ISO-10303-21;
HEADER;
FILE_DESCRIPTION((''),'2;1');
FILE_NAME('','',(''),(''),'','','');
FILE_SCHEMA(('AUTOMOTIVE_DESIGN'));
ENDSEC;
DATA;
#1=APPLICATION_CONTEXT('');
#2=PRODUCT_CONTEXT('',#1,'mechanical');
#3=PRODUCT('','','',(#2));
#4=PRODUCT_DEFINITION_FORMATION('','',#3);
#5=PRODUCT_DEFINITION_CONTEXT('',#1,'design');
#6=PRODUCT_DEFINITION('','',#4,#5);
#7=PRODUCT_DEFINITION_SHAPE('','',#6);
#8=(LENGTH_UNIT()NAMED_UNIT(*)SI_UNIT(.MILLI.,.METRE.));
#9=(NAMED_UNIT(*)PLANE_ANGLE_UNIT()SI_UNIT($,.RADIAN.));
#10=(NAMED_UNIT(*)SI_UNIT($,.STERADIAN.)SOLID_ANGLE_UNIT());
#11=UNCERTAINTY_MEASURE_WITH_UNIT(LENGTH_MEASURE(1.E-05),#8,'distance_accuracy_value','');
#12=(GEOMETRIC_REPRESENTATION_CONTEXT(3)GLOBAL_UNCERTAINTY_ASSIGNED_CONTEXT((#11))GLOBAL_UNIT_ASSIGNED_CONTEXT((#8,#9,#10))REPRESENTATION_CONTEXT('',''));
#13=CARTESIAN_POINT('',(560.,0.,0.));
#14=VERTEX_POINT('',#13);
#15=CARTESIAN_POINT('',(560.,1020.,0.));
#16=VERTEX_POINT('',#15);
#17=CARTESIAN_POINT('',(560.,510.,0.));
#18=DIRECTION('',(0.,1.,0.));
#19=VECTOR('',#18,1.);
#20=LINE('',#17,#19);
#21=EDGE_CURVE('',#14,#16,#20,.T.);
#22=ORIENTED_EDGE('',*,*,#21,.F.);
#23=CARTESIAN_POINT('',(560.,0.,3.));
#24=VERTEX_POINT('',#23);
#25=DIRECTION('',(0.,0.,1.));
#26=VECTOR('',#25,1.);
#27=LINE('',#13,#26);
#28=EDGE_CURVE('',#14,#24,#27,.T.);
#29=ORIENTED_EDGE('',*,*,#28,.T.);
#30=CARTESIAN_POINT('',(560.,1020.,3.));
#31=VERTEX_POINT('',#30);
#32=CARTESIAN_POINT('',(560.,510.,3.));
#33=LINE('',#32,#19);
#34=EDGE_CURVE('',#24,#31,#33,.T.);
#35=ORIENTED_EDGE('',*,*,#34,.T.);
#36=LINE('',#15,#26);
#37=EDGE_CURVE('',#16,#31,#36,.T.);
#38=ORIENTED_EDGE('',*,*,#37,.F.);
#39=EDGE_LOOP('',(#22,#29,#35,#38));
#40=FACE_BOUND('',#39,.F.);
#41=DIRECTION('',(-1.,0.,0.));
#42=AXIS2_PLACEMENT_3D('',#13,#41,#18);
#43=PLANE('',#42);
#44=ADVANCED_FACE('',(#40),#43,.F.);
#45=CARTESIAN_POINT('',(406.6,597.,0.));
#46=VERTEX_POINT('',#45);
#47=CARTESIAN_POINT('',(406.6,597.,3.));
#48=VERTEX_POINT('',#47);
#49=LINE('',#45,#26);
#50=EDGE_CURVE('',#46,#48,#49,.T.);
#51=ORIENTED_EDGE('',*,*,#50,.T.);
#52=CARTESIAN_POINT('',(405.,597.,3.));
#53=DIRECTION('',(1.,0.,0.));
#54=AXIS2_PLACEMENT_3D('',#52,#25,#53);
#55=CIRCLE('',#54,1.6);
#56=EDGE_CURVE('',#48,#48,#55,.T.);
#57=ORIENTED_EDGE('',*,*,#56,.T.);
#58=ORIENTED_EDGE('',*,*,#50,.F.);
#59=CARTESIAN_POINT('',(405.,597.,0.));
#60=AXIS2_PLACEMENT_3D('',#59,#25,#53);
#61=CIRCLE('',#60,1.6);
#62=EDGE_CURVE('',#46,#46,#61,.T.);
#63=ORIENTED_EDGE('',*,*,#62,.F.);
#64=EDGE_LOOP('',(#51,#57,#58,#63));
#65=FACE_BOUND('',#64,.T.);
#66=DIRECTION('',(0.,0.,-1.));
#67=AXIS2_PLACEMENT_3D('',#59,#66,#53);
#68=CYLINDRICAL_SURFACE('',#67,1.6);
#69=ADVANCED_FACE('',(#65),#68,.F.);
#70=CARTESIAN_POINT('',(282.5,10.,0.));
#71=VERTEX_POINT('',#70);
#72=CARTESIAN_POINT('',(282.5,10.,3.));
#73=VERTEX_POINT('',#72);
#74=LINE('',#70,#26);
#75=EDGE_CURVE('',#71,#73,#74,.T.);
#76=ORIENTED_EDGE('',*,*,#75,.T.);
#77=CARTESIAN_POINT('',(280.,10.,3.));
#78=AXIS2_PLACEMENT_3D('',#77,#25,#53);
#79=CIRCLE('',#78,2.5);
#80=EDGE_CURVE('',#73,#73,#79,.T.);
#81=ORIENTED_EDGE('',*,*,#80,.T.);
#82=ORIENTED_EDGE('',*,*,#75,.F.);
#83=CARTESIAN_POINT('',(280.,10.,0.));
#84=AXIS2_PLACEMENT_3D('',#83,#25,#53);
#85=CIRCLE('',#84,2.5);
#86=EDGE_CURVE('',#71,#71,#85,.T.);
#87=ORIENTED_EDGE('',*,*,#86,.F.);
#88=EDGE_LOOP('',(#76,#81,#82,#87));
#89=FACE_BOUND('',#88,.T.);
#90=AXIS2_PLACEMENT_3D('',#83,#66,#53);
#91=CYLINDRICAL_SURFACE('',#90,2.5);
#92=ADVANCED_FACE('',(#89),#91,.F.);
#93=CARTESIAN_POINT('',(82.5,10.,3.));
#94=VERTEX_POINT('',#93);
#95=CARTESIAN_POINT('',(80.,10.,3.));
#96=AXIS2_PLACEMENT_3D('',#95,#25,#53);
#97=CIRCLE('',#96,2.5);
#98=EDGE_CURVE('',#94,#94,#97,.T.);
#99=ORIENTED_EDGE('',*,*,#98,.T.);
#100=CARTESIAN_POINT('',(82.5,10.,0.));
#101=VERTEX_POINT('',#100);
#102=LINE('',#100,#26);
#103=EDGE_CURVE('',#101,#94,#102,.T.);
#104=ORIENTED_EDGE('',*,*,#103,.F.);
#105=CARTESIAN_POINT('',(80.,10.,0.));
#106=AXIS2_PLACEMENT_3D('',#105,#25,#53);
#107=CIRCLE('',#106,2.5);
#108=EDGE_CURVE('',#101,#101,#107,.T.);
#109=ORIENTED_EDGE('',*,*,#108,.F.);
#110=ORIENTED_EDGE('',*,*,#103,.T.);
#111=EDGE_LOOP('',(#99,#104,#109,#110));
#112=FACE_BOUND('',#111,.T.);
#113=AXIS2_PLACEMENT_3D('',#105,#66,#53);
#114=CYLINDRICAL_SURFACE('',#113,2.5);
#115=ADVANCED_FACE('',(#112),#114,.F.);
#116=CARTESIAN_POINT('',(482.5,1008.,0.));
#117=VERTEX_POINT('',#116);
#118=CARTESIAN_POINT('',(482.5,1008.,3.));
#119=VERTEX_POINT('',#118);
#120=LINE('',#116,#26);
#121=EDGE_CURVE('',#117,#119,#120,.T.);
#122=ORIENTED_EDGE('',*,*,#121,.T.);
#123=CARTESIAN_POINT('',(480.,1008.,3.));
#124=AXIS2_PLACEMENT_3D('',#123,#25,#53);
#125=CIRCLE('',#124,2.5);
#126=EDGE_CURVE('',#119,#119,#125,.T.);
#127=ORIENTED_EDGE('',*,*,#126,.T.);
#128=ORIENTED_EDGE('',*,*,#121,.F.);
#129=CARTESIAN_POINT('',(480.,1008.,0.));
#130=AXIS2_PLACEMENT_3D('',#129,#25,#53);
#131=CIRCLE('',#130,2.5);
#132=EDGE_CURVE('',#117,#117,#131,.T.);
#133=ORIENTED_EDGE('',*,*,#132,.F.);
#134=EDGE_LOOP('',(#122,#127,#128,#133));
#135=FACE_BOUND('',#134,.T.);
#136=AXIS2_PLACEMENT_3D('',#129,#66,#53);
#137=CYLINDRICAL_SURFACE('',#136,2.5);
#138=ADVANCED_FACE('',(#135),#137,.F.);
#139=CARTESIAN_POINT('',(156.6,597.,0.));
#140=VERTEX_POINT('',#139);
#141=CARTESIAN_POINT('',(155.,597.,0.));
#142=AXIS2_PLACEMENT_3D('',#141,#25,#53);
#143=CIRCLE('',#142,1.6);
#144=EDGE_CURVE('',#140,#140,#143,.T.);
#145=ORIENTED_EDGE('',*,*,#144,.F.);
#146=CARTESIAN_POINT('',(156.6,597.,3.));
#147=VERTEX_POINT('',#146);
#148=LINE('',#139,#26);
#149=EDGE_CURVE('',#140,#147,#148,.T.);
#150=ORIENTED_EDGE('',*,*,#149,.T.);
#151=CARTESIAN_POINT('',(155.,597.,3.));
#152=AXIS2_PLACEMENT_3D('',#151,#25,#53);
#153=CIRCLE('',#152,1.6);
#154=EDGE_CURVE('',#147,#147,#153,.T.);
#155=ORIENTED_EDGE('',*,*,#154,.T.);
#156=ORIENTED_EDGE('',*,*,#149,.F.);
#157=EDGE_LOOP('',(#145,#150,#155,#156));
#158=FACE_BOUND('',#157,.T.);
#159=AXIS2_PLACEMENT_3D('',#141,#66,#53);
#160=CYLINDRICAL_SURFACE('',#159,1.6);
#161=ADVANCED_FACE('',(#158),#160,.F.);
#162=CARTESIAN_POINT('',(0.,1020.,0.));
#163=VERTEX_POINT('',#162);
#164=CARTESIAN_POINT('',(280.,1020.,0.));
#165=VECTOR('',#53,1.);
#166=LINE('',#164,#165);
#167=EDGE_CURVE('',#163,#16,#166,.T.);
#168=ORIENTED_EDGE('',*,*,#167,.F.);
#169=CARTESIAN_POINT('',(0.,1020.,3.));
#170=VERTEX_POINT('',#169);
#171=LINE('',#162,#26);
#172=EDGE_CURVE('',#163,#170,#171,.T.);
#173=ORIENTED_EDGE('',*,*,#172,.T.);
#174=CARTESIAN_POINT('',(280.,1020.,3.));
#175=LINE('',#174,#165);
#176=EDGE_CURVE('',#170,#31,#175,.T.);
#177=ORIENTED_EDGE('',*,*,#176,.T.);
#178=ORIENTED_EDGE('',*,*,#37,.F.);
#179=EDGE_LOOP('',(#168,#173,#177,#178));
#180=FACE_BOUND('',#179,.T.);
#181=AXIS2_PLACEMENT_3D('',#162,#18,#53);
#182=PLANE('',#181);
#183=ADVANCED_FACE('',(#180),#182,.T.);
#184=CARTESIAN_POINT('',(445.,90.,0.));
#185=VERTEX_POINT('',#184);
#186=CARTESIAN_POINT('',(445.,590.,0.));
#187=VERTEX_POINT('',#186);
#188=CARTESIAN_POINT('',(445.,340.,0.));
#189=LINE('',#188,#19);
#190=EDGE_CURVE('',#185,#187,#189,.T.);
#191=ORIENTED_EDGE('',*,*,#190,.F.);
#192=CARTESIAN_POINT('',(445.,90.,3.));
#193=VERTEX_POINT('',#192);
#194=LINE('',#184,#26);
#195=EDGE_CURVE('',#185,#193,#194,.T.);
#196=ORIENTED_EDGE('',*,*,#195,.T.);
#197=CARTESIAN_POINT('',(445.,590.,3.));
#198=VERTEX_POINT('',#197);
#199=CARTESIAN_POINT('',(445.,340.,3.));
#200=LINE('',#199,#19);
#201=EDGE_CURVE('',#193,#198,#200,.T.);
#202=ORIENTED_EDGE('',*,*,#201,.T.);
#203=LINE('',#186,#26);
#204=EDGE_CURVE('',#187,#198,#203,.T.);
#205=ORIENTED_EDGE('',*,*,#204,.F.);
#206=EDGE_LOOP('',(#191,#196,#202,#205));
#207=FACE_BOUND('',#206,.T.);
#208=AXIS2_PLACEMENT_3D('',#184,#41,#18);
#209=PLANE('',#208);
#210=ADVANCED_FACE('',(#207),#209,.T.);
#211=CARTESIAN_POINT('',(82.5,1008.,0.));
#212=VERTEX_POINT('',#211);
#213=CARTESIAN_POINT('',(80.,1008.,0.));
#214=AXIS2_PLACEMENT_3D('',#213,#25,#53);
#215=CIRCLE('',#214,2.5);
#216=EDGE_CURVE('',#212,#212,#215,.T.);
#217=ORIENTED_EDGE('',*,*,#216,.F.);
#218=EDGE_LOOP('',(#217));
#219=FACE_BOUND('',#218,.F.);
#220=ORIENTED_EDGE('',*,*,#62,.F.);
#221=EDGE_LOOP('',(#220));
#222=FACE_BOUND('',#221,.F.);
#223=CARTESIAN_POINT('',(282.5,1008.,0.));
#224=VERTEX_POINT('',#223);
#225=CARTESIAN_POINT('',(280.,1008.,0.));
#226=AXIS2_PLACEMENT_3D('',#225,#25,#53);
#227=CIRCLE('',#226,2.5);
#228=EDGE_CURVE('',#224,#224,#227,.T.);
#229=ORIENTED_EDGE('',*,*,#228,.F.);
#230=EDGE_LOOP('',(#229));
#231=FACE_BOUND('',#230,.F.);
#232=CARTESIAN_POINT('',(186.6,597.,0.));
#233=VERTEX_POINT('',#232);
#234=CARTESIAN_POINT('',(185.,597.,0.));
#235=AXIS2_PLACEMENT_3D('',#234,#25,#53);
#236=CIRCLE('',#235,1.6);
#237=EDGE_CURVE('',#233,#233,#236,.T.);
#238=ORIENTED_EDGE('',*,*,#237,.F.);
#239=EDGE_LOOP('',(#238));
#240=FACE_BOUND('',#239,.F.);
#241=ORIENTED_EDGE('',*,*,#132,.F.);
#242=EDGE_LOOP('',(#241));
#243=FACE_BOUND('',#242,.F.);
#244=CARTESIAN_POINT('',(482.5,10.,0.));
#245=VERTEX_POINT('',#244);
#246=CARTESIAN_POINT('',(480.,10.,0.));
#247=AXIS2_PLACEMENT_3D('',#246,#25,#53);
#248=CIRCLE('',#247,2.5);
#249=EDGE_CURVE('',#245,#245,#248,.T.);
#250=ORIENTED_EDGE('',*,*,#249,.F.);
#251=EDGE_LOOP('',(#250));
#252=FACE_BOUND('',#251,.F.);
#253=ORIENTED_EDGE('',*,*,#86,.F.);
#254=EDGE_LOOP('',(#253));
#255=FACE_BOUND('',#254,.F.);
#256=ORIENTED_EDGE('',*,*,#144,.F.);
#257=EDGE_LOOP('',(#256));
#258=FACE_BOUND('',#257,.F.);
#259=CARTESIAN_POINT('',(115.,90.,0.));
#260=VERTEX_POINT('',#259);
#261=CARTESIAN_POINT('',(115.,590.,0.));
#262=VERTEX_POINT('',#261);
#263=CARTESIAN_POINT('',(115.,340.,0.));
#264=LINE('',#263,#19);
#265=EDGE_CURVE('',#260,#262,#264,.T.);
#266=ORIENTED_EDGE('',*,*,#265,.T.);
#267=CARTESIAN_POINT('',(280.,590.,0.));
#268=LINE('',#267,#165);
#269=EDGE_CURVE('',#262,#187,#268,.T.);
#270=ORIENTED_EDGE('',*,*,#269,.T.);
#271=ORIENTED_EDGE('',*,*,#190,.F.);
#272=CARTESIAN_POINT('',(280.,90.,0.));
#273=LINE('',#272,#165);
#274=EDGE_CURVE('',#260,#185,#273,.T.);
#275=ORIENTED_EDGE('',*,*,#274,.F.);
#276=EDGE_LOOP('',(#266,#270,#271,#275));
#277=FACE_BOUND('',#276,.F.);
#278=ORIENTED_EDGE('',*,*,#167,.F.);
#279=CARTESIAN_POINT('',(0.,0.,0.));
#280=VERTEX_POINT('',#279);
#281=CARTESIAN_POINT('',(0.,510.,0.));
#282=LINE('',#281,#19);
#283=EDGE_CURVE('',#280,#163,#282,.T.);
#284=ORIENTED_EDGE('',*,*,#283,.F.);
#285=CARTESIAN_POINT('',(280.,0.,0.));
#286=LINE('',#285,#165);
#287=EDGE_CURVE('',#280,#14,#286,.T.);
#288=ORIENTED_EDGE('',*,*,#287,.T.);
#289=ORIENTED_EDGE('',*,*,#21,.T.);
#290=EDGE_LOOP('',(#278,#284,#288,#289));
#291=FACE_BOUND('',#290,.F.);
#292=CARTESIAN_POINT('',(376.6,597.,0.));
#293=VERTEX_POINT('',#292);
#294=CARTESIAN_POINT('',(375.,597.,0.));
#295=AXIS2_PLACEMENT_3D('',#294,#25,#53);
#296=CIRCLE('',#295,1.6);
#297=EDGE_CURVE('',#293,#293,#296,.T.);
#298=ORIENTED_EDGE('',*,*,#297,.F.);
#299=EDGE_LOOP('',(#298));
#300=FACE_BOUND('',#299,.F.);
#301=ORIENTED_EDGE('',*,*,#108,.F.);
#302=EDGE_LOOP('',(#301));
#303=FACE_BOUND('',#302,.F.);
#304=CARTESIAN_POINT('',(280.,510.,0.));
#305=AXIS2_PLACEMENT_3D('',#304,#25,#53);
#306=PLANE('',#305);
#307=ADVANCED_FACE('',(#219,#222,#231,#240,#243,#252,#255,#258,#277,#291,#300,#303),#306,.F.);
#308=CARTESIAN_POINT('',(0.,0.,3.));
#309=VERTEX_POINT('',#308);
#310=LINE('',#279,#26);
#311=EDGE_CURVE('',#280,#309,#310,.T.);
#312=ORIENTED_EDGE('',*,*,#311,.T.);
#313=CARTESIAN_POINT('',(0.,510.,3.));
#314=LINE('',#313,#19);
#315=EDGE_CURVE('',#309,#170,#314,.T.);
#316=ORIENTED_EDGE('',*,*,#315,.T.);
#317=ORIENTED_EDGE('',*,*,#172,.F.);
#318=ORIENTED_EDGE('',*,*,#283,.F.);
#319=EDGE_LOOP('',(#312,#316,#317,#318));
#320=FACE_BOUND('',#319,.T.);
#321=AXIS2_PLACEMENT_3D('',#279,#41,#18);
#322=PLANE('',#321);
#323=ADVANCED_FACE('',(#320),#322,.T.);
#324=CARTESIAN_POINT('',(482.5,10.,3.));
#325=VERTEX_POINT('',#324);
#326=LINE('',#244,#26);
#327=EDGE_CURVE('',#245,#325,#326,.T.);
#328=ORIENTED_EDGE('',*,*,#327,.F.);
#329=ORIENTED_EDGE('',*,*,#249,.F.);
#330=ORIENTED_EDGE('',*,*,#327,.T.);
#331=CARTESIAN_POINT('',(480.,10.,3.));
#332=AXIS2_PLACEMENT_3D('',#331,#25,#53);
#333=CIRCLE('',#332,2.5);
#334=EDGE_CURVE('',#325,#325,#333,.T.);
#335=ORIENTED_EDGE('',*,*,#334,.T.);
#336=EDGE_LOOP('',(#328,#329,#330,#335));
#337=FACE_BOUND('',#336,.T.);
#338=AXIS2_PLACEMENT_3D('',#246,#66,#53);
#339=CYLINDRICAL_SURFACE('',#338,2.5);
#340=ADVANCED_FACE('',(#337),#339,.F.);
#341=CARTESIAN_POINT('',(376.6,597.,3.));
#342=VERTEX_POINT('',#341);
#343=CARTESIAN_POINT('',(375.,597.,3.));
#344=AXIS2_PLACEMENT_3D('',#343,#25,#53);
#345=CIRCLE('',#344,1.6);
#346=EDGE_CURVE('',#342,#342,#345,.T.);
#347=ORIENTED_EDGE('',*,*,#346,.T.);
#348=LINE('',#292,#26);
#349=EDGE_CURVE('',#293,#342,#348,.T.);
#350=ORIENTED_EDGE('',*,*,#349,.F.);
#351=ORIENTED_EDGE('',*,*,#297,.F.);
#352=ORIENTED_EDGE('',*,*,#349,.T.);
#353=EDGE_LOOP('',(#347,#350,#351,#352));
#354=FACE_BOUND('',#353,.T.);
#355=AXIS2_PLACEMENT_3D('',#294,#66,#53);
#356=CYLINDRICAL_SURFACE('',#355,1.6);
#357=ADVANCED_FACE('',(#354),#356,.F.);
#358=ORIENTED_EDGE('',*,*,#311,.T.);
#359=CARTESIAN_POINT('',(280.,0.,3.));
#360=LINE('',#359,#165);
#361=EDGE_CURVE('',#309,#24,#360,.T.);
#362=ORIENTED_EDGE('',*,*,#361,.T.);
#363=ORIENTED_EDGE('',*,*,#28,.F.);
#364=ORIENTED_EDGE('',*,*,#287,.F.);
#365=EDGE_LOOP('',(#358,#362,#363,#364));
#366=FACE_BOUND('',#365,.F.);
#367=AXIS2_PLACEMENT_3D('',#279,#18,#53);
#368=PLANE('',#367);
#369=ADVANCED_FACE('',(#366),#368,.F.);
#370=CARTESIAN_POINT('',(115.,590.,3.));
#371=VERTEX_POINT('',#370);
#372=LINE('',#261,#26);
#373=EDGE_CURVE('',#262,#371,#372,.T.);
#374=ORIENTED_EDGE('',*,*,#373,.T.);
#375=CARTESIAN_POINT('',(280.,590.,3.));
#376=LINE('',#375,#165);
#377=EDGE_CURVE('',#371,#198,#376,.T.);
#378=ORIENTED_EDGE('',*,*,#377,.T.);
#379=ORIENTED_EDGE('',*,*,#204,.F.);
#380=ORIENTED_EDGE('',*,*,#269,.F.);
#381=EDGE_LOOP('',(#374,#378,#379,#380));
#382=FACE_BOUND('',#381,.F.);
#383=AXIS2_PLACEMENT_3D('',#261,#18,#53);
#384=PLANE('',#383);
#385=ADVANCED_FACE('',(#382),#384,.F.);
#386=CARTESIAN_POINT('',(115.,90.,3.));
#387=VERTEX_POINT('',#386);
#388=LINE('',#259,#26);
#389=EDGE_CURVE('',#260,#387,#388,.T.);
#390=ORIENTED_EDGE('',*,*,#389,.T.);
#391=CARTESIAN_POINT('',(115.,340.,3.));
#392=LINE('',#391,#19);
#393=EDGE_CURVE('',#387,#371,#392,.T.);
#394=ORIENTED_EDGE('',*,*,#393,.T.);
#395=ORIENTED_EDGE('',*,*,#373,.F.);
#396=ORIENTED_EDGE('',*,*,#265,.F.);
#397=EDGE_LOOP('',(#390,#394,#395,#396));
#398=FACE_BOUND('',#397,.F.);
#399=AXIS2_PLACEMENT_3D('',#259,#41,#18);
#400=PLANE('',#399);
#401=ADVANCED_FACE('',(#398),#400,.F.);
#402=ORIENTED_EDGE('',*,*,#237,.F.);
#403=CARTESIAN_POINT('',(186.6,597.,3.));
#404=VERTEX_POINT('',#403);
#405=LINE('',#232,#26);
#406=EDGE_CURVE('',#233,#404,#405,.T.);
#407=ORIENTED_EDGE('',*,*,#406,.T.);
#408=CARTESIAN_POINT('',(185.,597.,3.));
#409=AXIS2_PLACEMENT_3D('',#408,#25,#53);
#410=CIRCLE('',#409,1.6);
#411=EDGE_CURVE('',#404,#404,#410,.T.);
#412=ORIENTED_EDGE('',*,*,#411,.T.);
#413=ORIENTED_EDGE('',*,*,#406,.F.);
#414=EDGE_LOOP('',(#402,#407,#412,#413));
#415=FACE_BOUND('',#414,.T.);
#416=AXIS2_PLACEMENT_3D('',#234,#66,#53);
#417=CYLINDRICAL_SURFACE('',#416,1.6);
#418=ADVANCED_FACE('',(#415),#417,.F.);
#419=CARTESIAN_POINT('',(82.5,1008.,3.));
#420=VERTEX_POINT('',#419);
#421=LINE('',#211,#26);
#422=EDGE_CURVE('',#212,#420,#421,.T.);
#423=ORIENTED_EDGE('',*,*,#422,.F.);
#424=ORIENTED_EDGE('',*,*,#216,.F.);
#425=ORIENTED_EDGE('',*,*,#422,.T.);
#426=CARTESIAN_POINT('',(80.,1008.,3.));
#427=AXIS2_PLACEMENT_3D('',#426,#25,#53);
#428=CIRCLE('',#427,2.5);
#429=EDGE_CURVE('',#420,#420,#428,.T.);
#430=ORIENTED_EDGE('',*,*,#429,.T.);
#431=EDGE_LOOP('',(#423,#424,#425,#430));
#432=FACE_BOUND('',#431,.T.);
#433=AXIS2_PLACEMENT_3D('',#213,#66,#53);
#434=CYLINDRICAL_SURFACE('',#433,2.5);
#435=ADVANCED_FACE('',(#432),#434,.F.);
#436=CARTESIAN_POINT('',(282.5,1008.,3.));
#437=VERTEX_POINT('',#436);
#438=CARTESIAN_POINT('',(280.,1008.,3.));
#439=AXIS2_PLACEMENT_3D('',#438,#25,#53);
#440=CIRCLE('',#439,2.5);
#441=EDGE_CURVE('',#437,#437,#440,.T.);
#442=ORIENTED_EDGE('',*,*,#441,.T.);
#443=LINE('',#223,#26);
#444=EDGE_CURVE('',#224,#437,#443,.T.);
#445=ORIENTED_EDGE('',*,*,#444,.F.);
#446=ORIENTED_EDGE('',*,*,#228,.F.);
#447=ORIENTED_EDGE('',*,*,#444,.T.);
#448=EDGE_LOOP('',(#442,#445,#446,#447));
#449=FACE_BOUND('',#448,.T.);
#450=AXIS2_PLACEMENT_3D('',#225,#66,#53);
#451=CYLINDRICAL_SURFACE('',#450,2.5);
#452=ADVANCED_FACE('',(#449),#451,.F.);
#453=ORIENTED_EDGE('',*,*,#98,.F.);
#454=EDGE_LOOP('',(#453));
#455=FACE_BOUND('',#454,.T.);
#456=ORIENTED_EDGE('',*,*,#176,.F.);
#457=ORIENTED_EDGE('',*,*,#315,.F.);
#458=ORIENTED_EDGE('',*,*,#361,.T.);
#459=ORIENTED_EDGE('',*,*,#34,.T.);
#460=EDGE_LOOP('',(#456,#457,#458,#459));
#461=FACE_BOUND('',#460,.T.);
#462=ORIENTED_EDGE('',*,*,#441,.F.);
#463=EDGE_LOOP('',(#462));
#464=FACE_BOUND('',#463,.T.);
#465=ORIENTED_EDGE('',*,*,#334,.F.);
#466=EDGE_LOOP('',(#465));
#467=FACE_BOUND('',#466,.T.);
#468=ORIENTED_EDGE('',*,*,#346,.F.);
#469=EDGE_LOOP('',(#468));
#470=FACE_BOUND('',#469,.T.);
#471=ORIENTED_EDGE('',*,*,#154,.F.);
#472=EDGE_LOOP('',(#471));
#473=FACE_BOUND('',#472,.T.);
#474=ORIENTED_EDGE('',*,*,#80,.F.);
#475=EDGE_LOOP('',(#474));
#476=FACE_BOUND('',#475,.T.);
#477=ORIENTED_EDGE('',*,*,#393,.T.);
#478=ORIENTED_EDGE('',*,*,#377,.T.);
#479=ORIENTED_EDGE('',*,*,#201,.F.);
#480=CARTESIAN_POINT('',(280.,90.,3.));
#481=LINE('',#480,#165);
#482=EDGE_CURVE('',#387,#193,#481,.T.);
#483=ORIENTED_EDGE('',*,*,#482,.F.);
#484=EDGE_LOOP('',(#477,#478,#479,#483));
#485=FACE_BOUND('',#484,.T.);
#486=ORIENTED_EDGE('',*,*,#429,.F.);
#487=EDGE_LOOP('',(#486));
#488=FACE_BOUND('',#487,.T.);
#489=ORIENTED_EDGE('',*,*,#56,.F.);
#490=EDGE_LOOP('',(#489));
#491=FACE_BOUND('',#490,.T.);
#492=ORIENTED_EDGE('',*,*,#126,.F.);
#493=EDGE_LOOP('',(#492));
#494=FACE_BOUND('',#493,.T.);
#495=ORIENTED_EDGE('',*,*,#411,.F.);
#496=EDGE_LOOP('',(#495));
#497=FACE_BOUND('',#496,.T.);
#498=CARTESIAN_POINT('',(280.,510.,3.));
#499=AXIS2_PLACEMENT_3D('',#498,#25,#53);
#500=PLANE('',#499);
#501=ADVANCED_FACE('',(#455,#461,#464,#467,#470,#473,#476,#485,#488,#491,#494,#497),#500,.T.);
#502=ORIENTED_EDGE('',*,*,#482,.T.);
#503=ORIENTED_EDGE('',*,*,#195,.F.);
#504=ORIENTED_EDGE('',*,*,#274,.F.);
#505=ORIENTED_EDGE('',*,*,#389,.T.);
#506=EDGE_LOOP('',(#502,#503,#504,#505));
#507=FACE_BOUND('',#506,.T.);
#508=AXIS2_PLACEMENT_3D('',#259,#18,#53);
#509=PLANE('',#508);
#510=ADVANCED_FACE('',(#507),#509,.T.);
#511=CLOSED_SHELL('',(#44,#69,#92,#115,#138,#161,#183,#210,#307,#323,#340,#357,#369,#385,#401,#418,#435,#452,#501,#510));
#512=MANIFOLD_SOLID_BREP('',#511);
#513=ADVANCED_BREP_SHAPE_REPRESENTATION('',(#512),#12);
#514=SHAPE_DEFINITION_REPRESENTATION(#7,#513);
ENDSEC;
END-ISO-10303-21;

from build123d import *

# Parameters (mm, degrees)
SKETCH_W   = 560
SKETCH_H   = 1020
SKETCH_R   = 2.5
SKETCH_R_2 = 1.6
SKETCH_W_2 = 330
SKETCH_H_2 = 500
PAD_DEPTH  = 3


with BuildPart() as part:
    # Sketch → Pad (new body)
    with BuildSketch(Plane.XY):
        with Locations((280, 510)):
            Rectangle(SKETCH_W, SKETCH_H)
        with Locations((80, 1008)):
            Circle(SKETCH_R, mode=Mode.SUBTRACT)
        with Locations((280, 1008)):
            Circle(SKETCH_R, mode=Mode.SUBTRACT)
        with Locations((480, 1008)):
            Circle(SKETCH_R, mode=Mode.SUBTRACT)
        with Locations((80, 10)):
            Circle(SKETCH_R, mode=Mode.SUBTRACT)
        with Locations((280, 10)):
            Circle(SKETCH_R, mode=Mode.SUBTRACT)
        with Locations((480, 10)):
            Circle(SKETCH_R, mode=Mode.SUBTRACT)
        with Locations((405, 597)):
            Circle(SKETCH_R_2, mode=Mode.SUBTRACT)
        with Locations((155, 597)):
            Circle(SKETCH_R_2, mode=Mode.SUBTRACT)
        with Locations((185, 597)):
            Circle(SKETCH_R_2, mode=Mode.SUBTRACT)
        with Locations((375, 597)):
            Circle(SKETCH_R_2, mode=Mode.SUBTRACT)
        with Locations((280, 340)):
            Rectangle(SKETCH_W_2, SKETCH_H_2, mode=Mode.SUBTRACT)
    extrude(amount=PAD_DEPTH)


solid = part.part
